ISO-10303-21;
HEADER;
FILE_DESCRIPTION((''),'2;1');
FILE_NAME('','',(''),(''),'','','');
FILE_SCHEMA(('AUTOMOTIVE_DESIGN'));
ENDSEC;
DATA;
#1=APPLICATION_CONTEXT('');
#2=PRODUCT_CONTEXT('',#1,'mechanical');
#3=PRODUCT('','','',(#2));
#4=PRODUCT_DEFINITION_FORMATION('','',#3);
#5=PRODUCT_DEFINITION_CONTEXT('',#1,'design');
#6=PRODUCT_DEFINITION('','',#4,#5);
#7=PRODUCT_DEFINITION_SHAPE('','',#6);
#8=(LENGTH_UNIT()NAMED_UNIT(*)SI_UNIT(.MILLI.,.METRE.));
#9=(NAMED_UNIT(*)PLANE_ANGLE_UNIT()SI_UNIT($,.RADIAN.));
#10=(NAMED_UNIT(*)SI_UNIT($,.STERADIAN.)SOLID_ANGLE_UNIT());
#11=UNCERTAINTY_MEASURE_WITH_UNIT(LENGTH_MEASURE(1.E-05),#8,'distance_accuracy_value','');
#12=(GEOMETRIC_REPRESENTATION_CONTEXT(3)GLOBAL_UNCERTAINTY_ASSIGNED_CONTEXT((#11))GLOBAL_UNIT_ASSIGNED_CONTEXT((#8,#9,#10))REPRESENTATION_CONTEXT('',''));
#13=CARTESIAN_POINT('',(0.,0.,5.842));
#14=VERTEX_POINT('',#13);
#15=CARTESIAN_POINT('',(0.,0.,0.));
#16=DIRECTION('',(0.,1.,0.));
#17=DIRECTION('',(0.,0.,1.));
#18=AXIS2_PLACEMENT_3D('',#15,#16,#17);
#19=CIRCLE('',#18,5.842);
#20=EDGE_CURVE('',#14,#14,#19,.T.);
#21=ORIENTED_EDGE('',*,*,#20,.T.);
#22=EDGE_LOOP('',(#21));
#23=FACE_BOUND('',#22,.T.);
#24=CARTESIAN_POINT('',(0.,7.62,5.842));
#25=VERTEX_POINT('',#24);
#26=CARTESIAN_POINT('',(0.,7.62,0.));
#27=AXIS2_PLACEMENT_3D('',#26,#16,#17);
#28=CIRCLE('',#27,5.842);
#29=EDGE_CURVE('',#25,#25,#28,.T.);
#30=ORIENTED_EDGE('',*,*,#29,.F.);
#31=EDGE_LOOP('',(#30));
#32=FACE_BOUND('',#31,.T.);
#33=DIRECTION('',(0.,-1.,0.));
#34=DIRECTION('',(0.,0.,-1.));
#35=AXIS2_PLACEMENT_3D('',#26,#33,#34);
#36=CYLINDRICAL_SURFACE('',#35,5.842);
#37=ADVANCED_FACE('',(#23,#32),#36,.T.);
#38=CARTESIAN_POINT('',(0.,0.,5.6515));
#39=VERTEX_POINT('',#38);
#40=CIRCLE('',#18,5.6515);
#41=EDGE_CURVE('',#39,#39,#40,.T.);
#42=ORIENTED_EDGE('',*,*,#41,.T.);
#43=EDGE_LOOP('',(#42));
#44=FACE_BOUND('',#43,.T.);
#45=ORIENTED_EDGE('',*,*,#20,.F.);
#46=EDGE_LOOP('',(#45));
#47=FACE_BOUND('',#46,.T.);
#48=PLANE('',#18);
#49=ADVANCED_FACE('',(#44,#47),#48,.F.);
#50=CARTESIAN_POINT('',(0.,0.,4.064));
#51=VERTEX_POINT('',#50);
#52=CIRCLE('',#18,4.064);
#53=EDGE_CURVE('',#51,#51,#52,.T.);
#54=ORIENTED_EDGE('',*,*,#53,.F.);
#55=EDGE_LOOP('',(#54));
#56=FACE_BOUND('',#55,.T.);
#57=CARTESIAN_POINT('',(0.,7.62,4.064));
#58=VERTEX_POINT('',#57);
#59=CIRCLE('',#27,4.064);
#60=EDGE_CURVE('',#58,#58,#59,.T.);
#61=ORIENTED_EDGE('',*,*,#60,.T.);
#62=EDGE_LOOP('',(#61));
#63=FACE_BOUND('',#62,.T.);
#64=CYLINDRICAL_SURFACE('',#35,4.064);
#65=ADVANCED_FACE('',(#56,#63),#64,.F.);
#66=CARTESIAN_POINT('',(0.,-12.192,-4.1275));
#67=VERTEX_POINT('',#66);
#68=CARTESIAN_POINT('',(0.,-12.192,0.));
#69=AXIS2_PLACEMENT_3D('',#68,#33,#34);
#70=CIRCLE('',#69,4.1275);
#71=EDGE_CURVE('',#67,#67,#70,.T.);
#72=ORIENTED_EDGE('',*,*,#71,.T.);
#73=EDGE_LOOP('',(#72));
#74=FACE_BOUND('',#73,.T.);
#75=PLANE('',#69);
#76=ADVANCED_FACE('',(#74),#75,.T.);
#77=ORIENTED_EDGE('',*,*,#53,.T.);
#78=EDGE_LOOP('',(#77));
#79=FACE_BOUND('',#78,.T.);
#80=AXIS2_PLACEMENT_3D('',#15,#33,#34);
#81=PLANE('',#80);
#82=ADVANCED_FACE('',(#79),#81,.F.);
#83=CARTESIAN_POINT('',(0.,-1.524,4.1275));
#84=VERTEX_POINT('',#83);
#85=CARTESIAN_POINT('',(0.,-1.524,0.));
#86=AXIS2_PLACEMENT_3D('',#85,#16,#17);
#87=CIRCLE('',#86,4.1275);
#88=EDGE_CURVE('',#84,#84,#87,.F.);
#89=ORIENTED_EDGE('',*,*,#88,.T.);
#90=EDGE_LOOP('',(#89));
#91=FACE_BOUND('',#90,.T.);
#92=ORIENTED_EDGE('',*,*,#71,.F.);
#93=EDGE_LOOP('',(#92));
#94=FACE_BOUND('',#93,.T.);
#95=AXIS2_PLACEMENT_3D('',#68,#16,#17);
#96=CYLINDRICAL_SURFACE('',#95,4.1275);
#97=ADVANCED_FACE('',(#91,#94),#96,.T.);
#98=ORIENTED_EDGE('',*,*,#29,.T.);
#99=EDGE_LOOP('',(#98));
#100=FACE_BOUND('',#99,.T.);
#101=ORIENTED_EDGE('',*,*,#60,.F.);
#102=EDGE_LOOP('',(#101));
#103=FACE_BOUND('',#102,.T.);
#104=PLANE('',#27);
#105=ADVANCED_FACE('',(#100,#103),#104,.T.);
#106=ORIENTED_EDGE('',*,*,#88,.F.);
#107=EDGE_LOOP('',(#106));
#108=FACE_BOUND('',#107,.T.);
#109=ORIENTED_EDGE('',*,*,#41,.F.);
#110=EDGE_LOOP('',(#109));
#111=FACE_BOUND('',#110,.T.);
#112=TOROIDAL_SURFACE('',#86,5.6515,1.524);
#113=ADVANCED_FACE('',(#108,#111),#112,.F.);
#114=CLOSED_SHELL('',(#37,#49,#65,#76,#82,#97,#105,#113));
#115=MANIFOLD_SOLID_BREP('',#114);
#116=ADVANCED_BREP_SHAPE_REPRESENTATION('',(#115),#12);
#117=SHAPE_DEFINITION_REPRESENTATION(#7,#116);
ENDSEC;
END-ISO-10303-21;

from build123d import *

# Parameters (mm, degrees)
SKETCH1_R           = 5.842
SKETCH1_R_2         = 4.064
BOSS_EXTRUDE1_DEPTH = 7.62
SKETCH3_R           = 4.1275
BOSS_EXTRUDE2_DEPTH = 12.192
FILLET2_R           = 1.524


with BuildPart() as part:
    # Sketch1 → Boss-Extrude1 (new body)
    with BuildSketch(Plane(origin=(0, 0, 0), x_dir=(1, 0, 0), z_dir=(0, 1, 0))):
        with Locations(Location((0, 0, 0), (0, 0, 270))):  # turned: the seam where the file's is
            Circle(SKETCH1_R)
        with Locations(Location((0, 0, 0), (0, 0, 270))):  # turned: the seam where the file's is
            Circle(SKETCH1_R_2, mode=Mode.SUBTRACT)
    extrude(amount=BOSS_EXTRUDE1_DEPTH)

    # Sketch3 → Boss-Extrude2 (add)
    with BuildSketch(Plane.XZ):
        with Locations(Location((0, 0, 0), (0, 0, 90))):  # turned: the seam where the file's is
            Circle(SKETCH3_R)
    extrude(amount=BOSS_EXTRUDE2_DEPTH)

    # Fillet2
    fillet2_edges = [part.edges().sort_by_distance(p)[0] for p in [
        (0, 0, -4.1275),
    ]]
    fillet(fillet2_edges, radius=FILLET2_R)


solid = part.part
